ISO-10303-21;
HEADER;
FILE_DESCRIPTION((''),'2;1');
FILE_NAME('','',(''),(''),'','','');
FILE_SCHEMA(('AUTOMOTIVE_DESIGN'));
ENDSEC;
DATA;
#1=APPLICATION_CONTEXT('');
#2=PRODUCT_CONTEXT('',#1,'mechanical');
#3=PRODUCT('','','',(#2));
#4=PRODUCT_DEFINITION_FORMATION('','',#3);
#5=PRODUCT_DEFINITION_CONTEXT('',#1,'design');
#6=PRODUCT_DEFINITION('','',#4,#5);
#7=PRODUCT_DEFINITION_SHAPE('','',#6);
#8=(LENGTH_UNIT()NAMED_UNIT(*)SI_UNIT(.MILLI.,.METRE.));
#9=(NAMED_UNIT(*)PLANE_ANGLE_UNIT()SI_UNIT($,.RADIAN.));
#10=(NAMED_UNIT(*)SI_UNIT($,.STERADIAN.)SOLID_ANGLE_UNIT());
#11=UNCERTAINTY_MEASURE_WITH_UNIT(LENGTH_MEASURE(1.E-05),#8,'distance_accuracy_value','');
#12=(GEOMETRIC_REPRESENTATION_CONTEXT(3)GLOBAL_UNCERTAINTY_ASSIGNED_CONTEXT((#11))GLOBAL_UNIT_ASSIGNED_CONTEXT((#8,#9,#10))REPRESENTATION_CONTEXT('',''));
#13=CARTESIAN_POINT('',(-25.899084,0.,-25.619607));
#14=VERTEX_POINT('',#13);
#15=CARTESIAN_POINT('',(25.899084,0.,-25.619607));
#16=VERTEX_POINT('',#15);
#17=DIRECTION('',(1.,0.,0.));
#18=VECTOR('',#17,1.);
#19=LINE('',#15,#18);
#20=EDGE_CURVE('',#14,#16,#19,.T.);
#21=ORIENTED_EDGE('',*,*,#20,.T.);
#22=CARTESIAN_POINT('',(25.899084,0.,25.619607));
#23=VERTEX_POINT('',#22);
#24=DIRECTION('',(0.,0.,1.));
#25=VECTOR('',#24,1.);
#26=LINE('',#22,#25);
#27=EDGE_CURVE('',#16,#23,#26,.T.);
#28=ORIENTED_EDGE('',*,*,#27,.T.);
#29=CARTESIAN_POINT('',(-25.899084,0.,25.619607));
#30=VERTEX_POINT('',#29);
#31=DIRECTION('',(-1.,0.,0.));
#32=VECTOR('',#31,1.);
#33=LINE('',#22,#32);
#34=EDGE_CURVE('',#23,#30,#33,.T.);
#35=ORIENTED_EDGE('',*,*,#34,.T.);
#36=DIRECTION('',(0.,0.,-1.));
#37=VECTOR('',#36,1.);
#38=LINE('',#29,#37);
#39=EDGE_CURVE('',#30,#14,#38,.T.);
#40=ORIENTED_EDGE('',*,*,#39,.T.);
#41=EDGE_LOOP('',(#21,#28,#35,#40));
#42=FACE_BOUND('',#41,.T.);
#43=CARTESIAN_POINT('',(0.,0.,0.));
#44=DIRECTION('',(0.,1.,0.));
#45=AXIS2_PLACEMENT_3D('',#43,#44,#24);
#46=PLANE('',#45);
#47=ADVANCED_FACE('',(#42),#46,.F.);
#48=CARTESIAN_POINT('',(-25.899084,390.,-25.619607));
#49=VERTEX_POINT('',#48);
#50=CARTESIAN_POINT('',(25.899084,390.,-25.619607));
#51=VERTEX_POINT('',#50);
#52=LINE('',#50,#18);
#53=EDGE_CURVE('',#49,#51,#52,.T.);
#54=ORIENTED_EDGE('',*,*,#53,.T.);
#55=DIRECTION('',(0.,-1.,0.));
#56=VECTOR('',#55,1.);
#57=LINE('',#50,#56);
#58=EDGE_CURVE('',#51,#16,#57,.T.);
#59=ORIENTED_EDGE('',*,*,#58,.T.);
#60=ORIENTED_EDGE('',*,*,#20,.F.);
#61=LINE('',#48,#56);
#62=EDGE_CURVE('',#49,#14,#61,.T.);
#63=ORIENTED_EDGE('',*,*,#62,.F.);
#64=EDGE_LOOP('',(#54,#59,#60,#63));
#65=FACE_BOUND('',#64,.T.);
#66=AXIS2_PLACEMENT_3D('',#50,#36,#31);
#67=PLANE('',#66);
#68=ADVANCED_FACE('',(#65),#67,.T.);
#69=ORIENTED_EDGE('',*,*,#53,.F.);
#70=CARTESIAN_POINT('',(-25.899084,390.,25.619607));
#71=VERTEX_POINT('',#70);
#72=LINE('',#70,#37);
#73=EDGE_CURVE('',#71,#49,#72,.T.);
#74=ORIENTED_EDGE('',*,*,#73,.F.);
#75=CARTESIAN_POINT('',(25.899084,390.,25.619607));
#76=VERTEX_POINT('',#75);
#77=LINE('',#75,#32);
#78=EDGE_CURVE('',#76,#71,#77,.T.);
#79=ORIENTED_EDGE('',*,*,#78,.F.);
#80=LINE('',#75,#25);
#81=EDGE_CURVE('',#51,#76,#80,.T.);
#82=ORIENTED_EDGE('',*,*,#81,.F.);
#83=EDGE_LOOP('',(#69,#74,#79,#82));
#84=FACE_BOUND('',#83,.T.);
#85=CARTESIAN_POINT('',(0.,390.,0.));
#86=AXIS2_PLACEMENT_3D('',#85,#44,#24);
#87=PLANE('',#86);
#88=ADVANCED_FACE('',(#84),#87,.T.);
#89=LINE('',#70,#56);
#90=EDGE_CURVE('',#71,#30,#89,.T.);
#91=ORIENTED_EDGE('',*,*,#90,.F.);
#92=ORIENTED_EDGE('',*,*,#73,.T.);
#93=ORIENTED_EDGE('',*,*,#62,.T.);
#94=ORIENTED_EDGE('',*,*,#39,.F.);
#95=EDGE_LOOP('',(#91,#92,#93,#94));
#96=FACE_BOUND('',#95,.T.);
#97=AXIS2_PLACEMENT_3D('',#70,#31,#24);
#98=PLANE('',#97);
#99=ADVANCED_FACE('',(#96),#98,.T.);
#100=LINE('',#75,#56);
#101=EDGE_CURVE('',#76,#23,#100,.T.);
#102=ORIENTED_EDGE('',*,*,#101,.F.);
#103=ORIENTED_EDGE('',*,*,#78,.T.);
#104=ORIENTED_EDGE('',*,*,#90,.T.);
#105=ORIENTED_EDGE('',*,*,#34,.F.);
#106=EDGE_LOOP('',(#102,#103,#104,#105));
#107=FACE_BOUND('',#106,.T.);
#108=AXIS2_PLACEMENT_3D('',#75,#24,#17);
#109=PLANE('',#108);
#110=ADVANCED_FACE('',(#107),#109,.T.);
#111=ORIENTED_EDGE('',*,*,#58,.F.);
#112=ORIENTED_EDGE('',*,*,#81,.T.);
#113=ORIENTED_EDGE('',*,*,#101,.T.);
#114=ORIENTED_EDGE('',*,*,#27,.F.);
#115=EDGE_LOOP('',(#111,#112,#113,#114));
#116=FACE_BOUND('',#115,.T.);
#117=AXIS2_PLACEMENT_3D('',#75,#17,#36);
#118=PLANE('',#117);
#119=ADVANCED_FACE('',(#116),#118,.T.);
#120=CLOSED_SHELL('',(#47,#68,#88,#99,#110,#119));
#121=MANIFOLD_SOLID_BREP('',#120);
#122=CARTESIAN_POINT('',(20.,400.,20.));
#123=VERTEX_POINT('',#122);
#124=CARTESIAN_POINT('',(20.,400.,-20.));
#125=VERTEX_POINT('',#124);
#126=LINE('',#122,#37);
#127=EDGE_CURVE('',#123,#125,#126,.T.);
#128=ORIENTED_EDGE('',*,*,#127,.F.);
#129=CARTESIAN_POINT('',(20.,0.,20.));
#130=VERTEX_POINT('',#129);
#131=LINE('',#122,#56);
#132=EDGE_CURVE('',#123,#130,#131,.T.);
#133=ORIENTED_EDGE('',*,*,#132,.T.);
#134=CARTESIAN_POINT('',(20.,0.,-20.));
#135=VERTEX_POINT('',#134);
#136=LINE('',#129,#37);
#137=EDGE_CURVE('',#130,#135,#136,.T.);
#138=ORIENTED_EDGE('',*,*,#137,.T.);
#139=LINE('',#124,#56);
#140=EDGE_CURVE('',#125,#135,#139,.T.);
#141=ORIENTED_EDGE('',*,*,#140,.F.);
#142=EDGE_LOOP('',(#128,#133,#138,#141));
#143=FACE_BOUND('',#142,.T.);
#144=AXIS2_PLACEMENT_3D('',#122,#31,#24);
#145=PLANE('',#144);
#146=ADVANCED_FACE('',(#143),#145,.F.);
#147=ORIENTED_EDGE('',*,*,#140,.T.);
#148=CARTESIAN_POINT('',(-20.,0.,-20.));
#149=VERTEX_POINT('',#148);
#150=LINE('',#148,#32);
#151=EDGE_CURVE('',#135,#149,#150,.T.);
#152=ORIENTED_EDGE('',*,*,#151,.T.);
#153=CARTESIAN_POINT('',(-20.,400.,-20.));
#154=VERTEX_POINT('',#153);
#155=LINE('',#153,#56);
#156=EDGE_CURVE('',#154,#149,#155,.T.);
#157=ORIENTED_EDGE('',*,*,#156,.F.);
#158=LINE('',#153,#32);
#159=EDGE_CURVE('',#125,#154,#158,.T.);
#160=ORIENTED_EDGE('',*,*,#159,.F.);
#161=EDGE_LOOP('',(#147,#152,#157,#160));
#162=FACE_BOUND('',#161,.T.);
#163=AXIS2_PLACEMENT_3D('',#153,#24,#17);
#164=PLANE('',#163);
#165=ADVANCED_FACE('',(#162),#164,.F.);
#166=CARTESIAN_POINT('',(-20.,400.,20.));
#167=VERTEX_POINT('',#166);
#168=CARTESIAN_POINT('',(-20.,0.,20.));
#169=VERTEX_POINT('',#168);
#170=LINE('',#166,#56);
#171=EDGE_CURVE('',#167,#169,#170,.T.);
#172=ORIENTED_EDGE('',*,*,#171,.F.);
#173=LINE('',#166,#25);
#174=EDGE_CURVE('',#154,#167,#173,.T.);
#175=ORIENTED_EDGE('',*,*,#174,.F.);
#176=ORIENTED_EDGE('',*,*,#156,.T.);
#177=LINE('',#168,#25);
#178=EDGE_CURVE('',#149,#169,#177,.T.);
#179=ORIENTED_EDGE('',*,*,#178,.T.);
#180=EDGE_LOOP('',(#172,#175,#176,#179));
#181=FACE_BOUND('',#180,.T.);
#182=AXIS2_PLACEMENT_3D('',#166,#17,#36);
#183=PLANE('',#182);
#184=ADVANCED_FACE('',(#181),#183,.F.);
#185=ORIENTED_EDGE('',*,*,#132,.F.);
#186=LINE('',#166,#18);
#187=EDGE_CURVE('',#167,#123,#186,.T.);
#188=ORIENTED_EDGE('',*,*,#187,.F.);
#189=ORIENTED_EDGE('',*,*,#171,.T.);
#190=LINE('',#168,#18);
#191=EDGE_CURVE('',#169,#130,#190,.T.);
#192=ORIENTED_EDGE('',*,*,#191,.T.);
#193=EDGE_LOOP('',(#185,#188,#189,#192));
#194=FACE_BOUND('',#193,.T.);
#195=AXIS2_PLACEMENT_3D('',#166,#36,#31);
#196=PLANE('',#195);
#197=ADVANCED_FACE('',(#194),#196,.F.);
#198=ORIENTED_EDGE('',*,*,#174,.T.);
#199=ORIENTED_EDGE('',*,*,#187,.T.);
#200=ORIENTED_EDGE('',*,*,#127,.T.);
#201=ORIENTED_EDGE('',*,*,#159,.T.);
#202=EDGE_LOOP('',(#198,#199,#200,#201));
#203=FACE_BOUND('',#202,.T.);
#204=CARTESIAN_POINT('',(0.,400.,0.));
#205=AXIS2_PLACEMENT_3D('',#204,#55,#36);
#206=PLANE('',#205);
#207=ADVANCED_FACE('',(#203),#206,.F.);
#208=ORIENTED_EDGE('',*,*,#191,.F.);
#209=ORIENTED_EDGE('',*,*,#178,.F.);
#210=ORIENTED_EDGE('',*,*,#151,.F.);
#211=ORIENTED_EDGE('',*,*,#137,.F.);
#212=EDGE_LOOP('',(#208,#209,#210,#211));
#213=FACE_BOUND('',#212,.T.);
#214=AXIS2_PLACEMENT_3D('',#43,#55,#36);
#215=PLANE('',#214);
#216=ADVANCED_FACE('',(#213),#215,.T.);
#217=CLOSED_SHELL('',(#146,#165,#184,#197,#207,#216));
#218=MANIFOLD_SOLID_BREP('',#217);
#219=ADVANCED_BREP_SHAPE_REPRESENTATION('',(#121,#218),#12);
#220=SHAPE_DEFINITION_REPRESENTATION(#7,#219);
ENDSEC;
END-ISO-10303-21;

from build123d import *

# Parameters (mm, degrees)
SCHIZZO2_W                   = 40
SCHIZZO2_H                   = 40
ESTRUSIONE_ESTRUSIONE1_DEPTH = 400
SCHIZZO3_W                   = 51.798168148
SCHIZZO3_H                   = 51.239214106
ESTRUSIONE_ESTRUSIONE2_DEPTH = 390


with BuildPart() as part:
    # Schizzo2 → Estrusione-Estrusione1 (new body)
    with BuildSketch(Plane(origin=(0, 0, 0), x_dir=(1, 0, 0), z_dir=(0, 1, 0))):
        Rectangle(SCHIZZO2_W, SCHIZZO2_H)
    extrude(amount=ESTRUSIONE_ESTRUSIONE1_DEPTH)


with BuildPart() as body_2:
    # Schizzo3 → Estrusione-Estrusione2 (new body)
    with BuildSketch(Plane(origin=(0, 0, 0), x_dir=(-1, 0, 0), z_dir=(0, -1, 0))):
        Rectangle(SCHIZZO3_W, SCHIZZO3_H)
    extrude(amount=-ESTRUSIONE_ESTRUSIONE2_DEPTH)


solid = Compound([part.part, body_2.part])
